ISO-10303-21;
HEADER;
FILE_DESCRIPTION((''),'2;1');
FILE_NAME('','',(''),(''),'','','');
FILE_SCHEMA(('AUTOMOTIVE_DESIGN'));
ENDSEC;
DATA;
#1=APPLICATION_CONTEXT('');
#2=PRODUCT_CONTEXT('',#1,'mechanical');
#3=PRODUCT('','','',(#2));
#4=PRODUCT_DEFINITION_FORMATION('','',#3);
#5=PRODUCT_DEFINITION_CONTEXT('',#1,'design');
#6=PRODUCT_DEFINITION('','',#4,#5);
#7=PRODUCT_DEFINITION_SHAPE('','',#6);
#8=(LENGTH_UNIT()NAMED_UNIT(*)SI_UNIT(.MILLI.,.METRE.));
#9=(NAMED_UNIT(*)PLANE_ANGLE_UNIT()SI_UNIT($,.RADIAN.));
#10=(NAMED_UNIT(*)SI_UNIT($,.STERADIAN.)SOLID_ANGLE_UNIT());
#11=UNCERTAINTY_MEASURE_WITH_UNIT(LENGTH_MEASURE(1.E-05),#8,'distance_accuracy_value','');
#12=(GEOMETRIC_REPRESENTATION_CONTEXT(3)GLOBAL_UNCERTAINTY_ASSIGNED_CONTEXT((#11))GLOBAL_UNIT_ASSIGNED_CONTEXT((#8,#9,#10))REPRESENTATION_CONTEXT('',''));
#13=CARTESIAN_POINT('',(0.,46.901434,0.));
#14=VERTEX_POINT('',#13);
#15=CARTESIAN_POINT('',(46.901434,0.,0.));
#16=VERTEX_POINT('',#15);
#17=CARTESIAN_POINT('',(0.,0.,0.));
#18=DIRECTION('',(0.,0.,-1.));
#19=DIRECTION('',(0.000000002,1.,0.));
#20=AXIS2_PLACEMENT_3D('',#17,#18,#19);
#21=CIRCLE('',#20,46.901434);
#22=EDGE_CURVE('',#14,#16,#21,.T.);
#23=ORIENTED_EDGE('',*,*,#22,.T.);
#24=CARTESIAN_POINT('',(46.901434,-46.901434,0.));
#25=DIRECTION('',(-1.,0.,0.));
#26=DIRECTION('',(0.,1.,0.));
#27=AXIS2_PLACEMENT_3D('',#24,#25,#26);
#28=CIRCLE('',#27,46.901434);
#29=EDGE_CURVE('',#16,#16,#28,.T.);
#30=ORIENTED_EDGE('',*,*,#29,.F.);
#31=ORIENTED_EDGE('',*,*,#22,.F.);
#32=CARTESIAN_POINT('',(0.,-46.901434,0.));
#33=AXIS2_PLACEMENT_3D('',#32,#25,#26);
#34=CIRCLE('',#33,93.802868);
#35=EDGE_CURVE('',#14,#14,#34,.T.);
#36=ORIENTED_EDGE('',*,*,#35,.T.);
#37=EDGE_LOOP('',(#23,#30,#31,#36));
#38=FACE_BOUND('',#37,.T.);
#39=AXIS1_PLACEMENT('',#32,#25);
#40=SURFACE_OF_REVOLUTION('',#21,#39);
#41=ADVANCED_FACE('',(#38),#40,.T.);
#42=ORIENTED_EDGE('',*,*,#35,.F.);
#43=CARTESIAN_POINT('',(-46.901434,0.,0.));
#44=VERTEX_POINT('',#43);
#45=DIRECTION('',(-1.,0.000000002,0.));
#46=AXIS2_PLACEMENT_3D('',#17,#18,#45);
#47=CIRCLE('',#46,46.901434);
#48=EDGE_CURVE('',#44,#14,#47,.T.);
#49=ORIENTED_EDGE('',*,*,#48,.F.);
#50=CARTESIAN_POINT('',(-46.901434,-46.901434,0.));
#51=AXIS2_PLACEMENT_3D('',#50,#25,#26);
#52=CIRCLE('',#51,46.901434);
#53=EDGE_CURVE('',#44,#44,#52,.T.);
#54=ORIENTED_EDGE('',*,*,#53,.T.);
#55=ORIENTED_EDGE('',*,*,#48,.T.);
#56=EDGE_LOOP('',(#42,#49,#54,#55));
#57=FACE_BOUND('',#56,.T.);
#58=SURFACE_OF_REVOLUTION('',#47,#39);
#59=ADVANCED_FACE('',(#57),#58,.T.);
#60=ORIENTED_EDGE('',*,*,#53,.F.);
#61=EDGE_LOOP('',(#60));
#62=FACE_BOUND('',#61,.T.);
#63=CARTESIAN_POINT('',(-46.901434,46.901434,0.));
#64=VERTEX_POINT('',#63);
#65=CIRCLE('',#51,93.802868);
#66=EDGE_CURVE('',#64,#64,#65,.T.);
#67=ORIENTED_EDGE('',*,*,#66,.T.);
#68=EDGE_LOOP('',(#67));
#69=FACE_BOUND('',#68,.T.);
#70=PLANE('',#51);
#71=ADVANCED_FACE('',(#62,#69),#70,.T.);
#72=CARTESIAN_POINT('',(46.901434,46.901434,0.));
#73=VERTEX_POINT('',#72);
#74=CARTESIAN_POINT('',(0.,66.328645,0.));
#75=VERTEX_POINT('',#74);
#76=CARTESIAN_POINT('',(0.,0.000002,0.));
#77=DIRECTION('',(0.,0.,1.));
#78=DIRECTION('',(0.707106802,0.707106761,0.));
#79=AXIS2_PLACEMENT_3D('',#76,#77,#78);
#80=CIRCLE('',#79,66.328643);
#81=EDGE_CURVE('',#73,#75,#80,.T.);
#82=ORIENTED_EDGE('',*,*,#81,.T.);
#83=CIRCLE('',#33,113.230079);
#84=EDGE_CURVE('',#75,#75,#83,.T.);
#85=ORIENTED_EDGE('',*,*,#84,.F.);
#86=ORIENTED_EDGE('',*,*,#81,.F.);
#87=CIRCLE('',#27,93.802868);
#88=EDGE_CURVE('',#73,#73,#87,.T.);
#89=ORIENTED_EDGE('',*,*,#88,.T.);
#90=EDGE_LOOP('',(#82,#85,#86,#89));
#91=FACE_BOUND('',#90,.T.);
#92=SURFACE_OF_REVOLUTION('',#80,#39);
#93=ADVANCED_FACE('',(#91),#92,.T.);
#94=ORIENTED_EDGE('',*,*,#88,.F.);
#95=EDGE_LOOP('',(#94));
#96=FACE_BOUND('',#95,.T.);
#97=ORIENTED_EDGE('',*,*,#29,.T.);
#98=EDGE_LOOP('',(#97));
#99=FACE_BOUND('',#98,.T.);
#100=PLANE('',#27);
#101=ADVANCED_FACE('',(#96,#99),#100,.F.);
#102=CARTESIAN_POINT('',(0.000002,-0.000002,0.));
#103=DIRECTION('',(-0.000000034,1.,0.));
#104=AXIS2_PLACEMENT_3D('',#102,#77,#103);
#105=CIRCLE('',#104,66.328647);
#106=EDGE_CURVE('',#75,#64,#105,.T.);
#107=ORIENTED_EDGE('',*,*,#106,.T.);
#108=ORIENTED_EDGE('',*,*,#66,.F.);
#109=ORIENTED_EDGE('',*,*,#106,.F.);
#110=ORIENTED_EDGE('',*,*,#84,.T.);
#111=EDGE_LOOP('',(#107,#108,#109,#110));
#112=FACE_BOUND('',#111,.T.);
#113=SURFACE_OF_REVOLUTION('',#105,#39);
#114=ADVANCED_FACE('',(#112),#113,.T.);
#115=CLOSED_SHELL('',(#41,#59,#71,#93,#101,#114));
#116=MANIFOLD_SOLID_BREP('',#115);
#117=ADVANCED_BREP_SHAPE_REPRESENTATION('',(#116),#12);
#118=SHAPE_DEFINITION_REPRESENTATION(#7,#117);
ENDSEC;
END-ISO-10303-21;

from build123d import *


with BuildPart() as f1:
    # F0 (on Top) → F1 (revolve)
    with BuildSketch(Plane.XY):
        with BuildLine():
            Line((0, 46.901434), (-46.901434, 46.901434))
            Line((-46.901434, 46.901434), (-46.901434, 0))
            ThreePointArc((-46.901434, 0), (-33.164322, 33.164322), (0, 46.901434))
        make_face()
        with BuildLine():
            ThreePointArc((46.901434, 46.901434), (25.382874, 61.279677), (0, 66.328645))
            ThreePointArc((0, 66.328645), (-25.382873, 61.279677), (-46.901434, 46.901434))
            Line((-46.901434, 46.901434), (0, 46.901434))
            Line((0, 46.901434), (46.901434, 46.901434))
        make_face()
        with BuildLine():
            Line((46.901434, 0), (46.901434, 46.901434))
            Line((46.901434, 46.901434), (0, 46.901434))
            ThreePointArc((0, 46.901434), (33.164322, 33.164322), (46.901434, 0))
        make_face()
    revolve(axis=Axis((0, -46.901434, 0), (-1, 0, 0)))


solid = f1.part
